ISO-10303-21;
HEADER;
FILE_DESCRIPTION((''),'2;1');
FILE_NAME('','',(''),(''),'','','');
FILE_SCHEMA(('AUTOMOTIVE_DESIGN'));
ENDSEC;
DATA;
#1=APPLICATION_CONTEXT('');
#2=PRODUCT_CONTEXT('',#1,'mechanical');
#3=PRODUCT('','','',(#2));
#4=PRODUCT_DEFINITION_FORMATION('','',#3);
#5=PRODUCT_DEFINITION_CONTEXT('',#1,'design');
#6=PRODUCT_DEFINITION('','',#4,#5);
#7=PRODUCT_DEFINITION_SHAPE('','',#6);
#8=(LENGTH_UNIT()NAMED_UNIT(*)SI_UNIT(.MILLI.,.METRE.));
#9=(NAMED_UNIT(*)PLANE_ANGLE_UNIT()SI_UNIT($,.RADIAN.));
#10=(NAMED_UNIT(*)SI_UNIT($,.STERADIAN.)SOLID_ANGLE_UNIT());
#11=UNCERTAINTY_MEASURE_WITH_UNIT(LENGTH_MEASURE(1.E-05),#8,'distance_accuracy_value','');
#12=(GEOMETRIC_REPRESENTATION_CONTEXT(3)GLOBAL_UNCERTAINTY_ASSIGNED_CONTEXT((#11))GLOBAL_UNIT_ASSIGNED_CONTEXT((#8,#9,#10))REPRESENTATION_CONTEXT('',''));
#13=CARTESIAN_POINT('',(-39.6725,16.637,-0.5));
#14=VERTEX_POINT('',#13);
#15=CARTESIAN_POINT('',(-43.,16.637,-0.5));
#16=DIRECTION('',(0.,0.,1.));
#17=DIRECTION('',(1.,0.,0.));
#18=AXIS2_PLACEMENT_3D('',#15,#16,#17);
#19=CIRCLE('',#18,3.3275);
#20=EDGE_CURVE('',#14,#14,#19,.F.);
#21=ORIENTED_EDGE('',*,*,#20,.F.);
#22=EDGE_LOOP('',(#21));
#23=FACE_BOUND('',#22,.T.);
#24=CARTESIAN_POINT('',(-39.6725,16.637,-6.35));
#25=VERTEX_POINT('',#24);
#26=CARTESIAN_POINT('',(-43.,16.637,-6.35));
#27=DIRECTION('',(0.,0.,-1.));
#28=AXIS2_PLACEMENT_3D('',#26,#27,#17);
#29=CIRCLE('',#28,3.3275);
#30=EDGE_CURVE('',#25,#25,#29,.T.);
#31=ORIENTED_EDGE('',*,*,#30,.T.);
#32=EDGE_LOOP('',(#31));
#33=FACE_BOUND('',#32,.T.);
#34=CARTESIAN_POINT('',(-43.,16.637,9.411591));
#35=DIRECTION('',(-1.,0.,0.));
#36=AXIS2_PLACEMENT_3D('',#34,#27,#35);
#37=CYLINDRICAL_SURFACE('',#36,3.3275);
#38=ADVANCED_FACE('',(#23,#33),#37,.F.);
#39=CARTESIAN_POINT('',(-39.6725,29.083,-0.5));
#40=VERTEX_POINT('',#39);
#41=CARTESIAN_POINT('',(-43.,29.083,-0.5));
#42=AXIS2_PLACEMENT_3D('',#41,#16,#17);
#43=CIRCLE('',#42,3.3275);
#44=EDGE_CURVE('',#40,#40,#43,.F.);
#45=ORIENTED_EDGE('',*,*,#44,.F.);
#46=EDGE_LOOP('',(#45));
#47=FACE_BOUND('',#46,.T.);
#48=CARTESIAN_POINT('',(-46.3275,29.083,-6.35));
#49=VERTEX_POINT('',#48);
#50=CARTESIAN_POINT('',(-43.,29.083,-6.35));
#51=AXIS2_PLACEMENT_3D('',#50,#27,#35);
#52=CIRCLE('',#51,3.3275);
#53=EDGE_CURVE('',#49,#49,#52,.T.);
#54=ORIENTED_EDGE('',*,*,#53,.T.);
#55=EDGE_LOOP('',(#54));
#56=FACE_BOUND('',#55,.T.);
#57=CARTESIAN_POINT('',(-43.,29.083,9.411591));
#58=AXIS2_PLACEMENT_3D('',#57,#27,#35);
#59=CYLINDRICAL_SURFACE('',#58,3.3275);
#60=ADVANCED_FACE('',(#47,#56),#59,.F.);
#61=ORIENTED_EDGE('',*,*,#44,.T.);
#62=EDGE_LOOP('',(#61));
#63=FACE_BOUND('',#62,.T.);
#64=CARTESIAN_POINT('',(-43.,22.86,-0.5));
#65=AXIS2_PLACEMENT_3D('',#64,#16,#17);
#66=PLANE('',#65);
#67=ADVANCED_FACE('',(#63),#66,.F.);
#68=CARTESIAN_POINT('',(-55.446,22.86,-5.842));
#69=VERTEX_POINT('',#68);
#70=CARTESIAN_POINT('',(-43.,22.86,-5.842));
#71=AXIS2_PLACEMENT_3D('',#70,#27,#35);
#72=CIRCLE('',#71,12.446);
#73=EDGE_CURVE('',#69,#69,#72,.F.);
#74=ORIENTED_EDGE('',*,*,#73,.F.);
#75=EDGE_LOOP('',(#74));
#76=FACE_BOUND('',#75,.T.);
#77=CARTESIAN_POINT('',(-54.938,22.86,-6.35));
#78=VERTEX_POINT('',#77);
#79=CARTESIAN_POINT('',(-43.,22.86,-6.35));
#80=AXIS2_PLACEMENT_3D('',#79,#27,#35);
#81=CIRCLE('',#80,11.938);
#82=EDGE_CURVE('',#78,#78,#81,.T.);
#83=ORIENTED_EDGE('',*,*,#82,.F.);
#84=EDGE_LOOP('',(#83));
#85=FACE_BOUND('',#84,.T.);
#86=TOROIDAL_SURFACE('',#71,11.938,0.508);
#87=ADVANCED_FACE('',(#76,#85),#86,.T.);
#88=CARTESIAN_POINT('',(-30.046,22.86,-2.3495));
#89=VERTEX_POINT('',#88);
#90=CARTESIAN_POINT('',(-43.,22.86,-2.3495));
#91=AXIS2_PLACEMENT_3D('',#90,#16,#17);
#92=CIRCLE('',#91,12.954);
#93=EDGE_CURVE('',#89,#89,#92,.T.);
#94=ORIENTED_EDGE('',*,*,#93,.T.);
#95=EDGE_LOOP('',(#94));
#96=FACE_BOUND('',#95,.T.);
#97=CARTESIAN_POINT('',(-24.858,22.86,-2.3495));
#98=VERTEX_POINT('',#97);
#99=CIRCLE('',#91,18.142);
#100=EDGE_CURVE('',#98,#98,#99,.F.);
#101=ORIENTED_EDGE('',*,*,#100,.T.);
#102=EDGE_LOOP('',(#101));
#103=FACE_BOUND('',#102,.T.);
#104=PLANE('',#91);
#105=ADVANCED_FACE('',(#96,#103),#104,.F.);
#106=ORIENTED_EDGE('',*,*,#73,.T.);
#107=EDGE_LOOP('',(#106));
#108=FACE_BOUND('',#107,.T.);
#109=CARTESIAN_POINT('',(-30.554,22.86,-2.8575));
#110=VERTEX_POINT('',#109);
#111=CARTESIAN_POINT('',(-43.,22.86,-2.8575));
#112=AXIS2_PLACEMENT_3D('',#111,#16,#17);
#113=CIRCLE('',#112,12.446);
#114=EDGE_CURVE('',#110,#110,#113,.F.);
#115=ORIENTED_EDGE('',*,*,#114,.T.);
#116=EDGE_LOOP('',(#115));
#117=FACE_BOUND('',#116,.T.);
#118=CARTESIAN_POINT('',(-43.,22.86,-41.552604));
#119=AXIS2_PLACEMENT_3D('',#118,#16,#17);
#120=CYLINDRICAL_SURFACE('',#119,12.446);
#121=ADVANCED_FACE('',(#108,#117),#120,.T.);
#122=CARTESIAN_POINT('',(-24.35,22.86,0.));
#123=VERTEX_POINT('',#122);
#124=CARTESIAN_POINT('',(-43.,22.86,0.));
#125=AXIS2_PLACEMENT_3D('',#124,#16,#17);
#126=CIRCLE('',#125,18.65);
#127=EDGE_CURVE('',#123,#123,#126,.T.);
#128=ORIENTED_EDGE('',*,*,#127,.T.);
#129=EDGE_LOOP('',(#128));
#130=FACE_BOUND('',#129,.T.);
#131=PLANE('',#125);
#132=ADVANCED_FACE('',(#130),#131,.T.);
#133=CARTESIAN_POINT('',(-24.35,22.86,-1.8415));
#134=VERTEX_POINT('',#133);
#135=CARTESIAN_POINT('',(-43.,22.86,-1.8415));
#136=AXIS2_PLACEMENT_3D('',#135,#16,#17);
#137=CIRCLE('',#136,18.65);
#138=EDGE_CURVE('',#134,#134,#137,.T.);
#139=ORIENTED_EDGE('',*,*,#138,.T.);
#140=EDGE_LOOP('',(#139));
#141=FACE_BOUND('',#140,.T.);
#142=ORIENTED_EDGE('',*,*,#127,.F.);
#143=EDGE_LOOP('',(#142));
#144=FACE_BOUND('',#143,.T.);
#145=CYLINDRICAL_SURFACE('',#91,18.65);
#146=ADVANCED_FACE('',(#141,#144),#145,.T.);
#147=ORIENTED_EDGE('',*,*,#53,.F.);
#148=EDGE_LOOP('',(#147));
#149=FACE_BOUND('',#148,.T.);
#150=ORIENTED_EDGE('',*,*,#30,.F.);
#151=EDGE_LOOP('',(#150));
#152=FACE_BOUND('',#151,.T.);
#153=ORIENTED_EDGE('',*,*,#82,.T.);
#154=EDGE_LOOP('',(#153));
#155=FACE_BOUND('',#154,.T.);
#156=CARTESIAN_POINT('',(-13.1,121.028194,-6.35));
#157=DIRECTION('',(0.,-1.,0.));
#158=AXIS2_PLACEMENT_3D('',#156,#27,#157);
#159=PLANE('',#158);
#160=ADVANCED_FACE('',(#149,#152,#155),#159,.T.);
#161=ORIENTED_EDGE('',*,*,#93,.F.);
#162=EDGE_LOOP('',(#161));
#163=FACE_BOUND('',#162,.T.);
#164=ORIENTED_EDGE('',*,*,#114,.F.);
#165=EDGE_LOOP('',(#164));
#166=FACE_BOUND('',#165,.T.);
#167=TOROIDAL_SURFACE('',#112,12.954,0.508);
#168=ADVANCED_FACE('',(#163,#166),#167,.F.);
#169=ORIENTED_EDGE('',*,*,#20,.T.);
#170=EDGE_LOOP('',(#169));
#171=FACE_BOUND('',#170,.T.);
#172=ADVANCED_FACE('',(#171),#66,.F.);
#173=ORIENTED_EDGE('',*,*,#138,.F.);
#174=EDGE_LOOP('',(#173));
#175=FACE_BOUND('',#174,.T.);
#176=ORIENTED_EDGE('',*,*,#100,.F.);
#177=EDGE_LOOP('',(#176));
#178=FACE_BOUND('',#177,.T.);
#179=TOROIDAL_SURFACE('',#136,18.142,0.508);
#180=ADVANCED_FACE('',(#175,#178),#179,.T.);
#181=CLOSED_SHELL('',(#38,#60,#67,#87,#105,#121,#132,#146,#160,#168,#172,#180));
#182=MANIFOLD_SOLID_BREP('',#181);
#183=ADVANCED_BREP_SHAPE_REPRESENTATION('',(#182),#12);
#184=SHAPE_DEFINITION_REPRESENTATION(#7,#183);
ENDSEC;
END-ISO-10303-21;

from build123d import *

# Parameters (mm, degrees)
SKETCH1_R           = 18.65
BOSS_EXTRUDE1_DEPTH = 2.3495
SKETCH4_R           = 12.446
BOSS_EXTRUDE2_DEPTH = 4.0005
SKETCH5_R           = 3.3275
CUT_EXTRUDE1_DEPTH  = 5.85
FILLET1_R           = 0.508


with BuildPart() as part:
    # Sketch1 → Boss-Extrude1 (new body)
    with BuildSketch(Plane.XY):
        with Locations((-43, 22.86)):
            Circle(SKETCH1_R)
    extrude(amount=-BOSS_EXTRUDE1_DEPTH)

    # Sketch4 → Boss-Extrude2 (add)
    with BuildSketch(Plane(origin=(0, 0, -2.3495), x_dir=(-1, 0, 0), z_dir=(0, 0, -1))):
        with Locations(Location((43, 22.86, 0), (0, 0, 180))):
            Circle(SKETCH4_R)
    extrude(amount=BOSS_EXTRUDE2_DEPTH)

    # Sketch5 → Cut-Extrude1 (cut)
    with BuildSketch(Plane(origin=(0, 0, -6.35), x_dir=(-1, 0, 0), z_dir=(0, 0, -1))):
        with Locations((43, 29.083)):
            Circle(SKETCH5_R)
        with Locations(Location((43, 16.637, 0), (0, 0, 180))):
            Circle(SKETCH5_R)
    extrude(amount=-CUT_EXTRUDE1_DEPTH, mode=Mode.SUBTRACT)

    # Fillet1
    fillet1_edges = [part.edges().sort_by_distance(p)[0] for p in [
        (-61.65, 22.86, -2.3495),
        (-55.446, 22.86, -2.3495),
        (-55.446, 22.86, -6.35),
    ]]
    fillet(fillet1_edges, radius=FILLET1_R)


solid = part.part
